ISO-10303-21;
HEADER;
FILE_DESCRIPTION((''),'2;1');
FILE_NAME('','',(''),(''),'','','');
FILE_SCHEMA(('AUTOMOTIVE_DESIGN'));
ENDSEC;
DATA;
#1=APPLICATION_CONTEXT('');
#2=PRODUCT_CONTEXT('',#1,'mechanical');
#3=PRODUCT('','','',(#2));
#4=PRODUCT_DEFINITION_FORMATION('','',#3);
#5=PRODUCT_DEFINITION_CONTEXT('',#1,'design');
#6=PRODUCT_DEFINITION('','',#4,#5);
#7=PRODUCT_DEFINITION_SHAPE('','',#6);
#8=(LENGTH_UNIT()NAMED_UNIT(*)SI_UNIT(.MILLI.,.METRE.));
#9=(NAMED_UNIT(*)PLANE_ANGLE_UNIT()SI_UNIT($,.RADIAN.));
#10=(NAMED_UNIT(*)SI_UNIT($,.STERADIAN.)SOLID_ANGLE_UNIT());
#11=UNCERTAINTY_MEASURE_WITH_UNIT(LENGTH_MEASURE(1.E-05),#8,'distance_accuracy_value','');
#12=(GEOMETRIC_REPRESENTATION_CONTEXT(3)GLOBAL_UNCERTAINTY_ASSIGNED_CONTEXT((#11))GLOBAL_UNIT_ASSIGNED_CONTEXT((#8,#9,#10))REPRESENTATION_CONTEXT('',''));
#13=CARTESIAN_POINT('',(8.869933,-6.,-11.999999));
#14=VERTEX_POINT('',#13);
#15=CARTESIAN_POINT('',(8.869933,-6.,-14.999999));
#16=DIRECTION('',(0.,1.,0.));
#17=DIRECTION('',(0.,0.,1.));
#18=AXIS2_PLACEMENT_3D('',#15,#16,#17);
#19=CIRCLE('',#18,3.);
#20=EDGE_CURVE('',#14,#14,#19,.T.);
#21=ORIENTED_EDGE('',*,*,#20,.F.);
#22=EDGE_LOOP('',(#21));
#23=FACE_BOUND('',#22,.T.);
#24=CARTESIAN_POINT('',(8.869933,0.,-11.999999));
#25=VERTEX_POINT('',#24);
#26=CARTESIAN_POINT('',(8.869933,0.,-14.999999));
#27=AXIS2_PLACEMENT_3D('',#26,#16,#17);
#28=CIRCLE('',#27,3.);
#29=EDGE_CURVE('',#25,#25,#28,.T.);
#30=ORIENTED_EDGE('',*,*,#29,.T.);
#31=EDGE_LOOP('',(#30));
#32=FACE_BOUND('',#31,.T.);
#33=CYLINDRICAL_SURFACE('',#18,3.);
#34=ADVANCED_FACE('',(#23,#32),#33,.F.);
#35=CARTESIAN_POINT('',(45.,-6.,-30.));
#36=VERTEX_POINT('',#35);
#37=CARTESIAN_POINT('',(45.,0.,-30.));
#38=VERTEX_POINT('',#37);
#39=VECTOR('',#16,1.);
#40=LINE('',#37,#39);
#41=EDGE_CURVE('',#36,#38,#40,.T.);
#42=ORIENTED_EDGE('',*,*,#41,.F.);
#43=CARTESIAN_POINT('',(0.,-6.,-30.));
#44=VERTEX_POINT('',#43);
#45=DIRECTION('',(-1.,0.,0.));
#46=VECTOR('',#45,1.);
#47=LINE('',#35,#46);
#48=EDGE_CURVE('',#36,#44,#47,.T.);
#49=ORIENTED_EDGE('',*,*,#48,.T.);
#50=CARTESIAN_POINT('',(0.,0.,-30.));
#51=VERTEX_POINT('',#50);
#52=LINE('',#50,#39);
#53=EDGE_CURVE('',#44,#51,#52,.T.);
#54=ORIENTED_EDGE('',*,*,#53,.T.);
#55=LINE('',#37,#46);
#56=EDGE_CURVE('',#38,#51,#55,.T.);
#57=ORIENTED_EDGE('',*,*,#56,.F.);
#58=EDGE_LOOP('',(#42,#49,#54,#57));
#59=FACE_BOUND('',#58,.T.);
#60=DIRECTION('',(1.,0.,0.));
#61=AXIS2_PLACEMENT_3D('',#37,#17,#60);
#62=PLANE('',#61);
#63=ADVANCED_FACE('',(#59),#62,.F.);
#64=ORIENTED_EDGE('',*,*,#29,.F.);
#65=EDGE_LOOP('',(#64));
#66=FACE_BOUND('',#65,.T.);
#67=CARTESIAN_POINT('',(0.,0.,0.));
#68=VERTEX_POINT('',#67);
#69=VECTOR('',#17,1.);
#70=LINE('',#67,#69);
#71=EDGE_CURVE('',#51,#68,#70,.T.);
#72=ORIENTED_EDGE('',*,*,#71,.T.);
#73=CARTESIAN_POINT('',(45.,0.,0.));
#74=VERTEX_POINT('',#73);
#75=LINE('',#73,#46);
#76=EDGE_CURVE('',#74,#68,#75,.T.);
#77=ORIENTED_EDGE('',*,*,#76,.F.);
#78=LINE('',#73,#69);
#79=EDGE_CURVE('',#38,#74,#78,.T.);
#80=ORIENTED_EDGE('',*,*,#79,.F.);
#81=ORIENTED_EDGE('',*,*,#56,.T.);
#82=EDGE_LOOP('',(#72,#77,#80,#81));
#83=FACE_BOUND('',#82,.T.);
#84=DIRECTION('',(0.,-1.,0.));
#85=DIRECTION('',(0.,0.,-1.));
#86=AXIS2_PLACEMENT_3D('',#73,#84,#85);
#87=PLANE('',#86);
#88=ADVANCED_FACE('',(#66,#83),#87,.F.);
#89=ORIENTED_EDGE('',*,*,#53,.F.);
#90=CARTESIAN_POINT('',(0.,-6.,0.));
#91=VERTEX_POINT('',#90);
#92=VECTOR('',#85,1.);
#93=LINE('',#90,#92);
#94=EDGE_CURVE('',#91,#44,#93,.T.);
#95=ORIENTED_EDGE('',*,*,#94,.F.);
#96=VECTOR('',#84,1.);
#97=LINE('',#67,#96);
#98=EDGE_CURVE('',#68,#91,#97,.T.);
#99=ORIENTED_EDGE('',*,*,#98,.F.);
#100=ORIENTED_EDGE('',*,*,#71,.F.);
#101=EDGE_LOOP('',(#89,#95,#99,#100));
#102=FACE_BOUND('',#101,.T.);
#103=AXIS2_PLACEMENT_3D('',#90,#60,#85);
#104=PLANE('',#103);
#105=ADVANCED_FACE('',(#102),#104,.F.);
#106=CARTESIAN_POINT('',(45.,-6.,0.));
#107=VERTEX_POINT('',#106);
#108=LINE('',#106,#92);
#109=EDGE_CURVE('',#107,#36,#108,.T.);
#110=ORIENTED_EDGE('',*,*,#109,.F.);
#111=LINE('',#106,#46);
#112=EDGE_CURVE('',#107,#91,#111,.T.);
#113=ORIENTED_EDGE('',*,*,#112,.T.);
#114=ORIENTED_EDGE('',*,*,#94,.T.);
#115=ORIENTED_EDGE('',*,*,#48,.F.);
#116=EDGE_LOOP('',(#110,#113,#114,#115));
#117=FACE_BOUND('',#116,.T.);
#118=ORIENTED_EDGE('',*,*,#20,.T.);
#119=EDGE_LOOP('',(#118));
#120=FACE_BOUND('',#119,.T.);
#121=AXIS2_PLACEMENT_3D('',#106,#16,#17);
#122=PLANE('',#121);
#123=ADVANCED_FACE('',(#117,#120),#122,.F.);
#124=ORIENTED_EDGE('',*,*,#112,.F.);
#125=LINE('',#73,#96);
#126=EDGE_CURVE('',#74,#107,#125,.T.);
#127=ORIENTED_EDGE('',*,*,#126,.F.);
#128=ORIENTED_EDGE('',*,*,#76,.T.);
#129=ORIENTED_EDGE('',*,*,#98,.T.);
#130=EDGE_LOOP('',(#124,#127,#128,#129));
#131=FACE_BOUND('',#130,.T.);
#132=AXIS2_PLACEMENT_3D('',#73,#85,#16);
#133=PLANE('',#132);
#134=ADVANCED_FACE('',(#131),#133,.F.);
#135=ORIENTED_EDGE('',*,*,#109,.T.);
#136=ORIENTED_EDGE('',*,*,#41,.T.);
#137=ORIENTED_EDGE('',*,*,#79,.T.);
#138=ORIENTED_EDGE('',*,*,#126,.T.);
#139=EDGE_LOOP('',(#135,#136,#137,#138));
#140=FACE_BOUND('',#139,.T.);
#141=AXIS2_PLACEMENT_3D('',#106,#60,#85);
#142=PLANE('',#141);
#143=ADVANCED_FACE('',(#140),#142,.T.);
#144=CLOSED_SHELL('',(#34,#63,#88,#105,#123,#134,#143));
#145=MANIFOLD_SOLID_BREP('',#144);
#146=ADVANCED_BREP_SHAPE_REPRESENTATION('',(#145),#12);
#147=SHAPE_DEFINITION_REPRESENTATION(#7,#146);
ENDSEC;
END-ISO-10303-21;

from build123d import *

# Parameters (mm, degrees)
SKETCH_1_W          = 30
SKETCH_1_H          = 6
EXTRUDE_1_DEPTH     = 45
SKETCH_2_R          = 3
CUT_EXTRUDE_1_DEPTH = 55.415071442


with BuildPart() as part:
    # Эскиз1 → Вытянуть1 (new body)
    with BuildSketch(Plane(origin=(0, 0, 0), x_dir=(0, 0, -1), z_dir=(1, 0, 0))):
        with Locations((15, -3)):
            Rectangle(SKETCH_1_W, SKETCH_1_H)
    extrude(amount=EXTRUDE_1_DEPTH)

    # Эскиз2 → Вырез-Вытянуть1 (cut, through all)
    with BuildSketch(Plane(origin=(0, 0, 0), x_dir=(-1, 0, 0), z_dir=(0, 1, 0))):
        with Locations(Location((-8.86993337, -14.999999492, 0), (0, 0, 90))):
            Circle(SKETCH_2_R)
    extrude(amount=-CUT_EXTRUDE_1_DEPTH, mode=Mode.SUBTRACT)


solid = part.part
